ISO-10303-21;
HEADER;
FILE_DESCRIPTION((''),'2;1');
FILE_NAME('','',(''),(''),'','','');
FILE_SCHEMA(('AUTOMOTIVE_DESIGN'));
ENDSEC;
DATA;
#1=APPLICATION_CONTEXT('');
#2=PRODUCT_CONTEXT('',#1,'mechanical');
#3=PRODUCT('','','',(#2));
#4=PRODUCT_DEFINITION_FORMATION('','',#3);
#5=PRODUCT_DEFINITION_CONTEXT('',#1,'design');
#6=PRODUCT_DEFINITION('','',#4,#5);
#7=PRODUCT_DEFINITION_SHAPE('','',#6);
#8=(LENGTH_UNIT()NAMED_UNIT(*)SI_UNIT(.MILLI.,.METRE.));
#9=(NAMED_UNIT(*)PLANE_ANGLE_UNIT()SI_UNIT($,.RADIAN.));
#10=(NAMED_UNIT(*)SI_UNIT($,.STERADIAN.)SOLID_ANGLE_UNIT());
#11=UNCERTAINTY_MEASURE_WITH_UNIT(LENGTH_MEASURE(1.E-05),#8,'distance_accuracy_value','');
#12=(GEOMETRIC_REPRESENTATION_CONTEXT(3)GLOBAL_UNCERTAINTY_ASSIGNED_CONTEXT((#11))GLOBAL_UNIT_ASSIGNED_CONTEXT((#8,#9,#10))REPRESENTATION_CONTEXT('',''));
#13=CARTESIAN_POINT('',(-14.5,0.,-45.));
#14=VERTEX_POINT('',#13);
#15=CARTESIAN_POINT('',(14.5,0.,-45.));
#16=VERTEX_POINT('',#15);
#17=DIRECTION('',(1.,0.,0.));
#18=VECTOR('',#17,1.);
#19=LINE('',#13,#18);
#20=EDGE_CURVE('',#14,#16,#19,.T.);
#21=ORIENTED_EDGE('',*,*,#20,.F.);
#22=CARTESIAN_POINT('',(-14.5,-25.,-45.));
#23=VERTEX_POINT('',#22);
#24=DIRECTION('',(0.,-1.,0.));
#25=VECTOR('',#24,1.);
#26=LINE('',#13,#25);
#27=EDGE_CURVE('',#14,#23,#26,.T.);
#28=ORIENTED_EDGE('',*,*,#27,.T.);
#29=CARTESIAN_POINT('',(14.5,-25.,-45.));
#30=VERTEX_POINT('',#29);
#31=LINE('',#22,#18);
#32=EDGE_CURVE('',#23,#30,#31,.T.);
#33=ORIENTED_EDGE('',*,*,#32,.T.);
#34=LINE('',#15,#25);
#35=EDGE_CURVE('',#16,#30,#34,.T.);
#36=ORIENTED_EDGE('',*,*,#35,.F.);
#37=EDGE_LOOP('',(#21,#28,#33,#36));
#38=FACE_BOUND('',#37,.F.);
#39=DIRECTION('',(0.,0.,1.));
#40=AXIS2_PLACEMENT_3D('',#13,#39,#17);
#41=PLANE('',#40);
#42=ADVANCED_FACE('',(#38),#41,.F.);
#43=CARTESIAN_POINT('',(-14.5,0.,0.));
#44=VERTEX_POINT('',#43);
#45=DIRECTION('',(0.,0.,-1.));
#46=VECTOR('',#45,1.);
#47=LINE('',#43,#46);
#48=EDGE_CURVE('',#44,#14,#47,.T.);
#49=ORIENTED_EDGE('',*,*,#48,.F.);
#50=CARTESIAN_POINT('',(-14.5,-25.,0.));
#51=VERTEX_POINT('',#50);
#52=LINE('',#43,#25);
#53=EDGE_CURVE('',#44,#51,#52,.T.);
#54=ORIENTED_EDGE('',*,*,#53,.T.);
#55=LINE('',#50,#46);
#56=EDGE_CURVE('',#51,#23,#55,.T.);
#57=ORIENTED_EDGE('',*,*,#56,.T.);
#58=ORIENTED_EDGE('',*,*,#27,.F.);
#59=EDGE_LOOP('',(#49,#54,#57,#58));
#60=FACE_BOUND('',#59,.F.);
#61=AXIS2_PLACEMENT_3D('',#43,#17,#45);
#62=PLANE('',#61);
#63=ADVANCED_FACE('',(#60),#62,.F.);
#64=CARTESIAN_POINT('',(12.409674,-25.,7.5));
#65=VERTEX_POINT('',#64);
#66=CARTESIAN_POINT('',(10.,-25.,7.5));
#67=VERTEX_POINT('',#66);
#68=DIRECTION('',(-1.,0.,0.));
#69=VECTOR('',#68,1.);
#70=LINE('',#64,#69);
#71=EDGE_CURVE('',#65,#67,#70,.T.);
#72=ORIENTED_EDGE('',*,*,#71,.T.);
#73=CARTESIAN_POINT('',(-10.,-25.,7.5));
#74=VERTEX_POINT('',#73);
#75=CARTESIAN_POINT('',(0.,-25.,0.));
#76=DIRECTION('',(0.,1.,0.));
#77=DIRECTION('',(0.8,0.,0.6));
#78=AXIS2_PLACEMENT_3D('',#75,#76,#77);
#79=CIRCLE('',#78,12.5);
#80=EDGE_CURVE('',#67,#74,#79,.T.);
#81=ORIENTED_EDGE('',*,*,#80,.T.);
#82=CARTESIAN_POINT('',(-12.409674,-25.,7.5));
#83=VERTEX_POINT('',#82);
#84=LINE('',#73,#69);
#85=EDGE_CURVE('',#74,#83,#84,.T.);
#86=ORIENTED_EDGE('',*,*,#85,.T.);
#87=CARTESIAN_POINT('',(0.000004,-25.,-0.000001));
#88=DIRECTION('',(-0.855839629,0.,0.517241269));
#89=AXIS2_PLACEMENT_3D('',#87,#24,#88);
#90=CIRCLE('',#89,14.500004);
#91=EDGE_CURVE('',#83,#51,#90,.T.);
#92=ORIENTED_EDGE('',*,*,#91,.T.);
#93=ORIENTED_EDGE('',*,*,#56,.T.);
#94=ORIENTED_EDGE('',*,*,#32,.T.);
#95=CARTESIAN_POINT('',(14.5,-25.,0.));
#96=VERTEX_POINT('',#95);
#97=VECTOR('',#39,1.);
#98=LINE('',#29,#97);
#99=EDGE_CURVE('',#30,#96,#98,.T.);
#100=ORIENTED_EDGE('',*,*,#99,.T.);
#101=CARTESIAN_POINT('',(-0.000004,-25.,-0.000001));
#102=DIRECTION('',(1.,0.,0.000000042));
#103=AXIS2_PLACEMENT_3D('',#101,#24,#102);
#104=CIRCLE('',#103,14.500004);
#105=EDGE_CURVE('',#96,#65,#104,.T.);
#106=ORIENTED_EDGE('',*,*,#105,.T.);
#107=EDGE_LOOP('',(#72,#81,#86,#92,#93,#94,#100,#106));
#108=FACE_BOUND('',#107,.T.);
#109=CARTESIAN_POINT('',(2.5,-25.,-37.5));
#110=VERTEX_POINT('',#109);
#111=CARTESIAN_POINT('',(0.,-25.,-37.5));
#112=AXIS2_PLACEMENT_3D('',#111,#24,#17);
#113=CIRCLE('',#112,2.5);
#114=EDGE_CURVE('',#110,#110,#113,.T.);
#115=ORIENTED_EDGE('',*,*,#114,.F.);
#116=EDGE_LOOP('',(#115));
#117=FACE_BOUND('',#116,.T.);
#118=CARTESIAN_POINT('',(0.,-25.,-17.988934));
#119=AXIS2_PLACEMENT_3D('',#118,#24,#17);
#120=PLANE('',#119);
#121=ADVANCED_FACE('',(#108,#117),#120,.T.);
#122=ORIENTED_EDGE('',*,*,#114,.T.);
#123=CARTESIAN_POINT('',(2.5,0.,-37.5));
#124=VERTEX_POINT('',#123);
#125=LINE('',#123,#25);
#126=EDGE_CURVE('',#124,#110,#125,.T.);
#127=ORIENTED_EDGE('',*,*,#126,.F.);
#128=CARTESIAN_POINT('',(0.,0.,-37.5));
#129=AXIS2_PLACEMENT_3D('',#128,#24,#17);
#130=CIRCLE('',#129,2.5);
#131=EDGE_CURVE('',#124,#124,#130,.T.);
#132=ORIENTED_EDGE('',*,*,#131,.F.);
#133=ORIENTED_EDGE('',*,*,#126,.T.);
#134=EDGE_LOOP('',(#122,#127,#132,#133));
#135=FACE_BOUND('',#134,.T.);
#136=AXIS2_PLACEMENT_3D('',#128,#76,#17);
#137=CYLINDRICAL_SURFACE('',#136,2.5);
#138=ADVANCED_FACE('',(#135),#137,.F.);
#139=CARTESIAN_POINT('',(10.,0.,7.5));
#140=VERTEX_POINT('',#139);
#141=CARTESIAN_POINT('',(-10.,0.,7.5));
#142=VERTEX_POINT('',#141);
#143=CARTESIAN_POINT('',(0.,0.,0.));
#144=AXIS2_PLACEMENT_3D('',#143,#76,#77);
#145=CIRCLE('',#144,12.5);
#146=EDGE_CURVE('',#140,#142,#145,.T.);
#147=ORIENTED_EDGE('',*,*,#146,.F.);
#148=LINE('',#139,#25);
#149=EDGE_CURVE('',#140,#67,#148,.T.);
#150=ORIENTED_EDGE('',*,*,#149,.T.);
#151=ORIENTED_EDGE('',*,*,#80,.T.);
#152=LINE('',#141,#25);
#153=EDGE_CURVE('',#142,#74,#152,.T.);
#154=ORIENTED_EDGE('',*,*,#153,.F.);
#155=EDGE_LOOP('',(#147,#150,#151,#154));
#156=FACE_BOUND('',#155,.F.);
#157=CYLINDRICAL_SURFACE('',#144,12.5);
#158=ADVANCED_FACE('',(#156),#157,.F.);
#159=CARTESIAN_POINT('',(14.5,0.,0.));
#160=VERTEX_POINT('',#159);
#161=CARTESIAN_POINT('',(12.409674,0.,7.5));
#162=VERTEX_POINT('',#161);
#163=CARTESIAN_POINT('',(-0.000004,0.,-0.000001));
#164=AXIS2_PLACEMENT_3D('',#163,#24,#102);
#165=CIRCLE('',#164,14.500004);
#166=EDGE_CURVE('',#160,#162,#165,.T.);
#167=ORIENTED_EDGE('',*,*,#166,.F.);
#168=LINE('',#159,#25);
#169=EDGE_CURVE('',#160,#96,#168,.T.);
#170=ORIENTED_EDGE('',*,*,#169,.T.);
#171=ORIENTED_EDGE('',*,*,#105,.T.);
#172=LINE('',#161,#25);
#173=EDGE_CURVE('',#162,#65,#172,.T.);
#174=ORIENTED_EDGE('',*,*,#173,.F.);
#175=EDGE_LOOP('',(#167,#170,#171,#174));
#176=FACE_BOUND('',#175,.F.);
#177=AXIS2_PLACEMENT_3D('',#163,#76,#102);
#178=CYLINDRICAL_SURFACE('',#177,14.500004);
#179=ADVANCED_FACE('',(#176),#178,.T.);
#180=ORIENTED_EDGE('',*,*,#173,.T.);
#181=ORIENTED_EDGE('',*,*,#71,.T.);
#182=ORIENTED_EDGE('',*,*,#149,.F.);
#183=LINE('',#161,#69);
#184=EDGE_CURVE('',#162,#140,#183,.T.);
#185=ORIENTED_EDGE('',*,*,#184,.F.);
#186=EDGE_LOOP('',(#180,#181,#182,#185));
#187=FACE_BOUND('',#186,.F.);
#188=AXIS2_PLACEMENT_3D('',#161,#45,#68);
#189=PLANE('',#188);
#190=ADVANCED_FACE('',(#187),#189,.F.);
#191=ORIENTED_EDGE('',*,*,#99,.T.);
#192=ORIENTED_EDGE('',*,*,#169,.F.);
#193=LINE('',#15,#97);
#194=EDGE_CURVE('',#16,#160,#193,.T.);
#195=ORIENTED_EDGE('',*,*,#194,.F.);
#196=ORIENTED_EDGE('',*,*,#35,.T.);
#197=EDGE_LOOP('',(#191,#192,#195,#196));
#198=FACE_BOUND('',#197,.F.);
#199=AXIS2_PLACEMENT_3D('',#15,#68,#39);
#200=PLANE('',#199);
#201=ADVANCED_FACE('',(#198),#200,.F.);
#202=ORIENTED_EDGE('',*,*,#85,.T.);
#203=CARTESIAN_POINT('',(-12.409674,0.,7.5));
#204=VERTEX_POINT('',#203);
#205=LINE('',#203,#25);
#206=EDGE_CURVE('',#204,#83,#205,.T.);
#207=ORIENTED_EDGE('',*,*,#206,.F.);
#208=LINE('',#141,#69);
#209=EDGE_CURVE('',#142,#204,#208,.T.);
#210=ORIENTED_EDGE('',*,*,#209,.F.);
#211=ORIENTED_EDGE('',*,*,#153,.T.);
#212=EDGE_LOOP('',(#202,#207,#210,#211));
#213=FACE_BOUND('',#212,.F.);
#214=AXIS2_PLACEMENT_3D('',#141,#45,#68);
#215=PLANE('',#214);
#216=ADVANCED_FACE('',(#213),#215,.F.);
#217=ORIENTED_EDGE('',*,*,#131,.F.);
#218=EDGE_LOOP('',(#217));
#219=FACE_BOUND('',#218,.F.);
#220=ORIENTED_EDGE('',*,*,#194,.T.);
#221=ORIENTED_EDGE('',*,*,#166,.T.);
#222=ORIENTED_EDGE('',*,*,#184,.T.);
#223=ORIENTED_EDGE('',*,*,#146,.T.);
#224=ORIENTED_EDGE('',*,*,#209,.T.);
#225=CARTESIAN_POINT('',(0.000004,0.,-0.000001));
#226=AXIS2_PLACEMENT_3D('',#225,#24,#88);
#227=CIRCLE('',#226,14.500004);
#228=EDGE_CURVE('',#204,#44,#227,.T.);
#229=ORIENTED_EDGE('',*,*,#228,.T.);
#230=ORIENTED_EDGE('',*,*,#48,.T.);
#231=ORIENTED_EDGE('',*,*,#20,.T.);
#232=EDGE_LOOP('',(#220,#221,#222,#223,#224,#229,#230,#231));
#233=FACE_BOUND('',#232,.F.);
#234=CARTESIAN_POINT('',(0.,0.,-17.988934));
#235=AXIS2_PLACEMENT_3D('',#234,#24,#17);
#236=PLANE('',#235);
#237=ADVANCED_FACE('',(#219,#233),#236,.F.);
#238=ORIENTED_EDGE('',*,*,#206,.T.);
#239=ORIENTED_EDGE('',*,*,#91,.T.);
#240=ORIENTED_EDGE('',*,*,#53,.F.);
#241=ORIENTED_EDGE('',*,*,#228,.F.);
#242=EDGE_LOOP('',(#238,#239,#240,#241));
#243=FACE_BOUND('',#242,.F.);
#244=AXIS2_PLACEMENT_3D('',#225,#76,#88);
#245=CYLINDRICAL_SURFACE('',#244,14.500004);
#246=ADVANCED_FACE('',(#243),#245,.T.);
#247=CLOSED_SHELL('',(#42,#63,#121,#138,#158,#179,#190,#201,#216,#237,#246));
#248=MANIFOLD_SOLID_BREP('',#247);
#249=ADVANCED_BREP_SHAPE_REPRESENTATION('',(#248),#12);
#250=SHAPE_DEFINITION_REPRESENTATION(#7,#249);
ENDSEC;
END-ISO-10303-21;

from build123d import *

# Parameters (mm, degrees)
F0_R     = 2.5
F1_DEPTH = 25


with BuildPart() as f1:
    # F0 (on Front) → F1 (new body)
    with BuildSketch(Plane.XZ):
        with BuildLine():
            ThreePointArc((10, 7.5), (0, -12.5), (-10, 7.5))
            Line((-10, 7.5), (-12.409674, 7.5))
            ThreePointArc((-12.409674, 7.5), (-13.967646, 3.892925), (-14.5, 0))
            Line((-14.5, 0), (-14.5, -45))
            Line((-14.5, -45), (14.5, -45))
            Line((14.5, -45), (14.5, 0))
            ThreePointArc((14.5, 0), (13.967646, 3.892925), (12.409674, 7.5))
            Line((12.409674, 7.5), (10, 7.5))
        make_face()
        with Locations((0, -37.5)):
            Circle(F0_R, mode=Mode.SUBTRACT)
    extrude(amount=F1_DEPTH)


solid = f1.part
